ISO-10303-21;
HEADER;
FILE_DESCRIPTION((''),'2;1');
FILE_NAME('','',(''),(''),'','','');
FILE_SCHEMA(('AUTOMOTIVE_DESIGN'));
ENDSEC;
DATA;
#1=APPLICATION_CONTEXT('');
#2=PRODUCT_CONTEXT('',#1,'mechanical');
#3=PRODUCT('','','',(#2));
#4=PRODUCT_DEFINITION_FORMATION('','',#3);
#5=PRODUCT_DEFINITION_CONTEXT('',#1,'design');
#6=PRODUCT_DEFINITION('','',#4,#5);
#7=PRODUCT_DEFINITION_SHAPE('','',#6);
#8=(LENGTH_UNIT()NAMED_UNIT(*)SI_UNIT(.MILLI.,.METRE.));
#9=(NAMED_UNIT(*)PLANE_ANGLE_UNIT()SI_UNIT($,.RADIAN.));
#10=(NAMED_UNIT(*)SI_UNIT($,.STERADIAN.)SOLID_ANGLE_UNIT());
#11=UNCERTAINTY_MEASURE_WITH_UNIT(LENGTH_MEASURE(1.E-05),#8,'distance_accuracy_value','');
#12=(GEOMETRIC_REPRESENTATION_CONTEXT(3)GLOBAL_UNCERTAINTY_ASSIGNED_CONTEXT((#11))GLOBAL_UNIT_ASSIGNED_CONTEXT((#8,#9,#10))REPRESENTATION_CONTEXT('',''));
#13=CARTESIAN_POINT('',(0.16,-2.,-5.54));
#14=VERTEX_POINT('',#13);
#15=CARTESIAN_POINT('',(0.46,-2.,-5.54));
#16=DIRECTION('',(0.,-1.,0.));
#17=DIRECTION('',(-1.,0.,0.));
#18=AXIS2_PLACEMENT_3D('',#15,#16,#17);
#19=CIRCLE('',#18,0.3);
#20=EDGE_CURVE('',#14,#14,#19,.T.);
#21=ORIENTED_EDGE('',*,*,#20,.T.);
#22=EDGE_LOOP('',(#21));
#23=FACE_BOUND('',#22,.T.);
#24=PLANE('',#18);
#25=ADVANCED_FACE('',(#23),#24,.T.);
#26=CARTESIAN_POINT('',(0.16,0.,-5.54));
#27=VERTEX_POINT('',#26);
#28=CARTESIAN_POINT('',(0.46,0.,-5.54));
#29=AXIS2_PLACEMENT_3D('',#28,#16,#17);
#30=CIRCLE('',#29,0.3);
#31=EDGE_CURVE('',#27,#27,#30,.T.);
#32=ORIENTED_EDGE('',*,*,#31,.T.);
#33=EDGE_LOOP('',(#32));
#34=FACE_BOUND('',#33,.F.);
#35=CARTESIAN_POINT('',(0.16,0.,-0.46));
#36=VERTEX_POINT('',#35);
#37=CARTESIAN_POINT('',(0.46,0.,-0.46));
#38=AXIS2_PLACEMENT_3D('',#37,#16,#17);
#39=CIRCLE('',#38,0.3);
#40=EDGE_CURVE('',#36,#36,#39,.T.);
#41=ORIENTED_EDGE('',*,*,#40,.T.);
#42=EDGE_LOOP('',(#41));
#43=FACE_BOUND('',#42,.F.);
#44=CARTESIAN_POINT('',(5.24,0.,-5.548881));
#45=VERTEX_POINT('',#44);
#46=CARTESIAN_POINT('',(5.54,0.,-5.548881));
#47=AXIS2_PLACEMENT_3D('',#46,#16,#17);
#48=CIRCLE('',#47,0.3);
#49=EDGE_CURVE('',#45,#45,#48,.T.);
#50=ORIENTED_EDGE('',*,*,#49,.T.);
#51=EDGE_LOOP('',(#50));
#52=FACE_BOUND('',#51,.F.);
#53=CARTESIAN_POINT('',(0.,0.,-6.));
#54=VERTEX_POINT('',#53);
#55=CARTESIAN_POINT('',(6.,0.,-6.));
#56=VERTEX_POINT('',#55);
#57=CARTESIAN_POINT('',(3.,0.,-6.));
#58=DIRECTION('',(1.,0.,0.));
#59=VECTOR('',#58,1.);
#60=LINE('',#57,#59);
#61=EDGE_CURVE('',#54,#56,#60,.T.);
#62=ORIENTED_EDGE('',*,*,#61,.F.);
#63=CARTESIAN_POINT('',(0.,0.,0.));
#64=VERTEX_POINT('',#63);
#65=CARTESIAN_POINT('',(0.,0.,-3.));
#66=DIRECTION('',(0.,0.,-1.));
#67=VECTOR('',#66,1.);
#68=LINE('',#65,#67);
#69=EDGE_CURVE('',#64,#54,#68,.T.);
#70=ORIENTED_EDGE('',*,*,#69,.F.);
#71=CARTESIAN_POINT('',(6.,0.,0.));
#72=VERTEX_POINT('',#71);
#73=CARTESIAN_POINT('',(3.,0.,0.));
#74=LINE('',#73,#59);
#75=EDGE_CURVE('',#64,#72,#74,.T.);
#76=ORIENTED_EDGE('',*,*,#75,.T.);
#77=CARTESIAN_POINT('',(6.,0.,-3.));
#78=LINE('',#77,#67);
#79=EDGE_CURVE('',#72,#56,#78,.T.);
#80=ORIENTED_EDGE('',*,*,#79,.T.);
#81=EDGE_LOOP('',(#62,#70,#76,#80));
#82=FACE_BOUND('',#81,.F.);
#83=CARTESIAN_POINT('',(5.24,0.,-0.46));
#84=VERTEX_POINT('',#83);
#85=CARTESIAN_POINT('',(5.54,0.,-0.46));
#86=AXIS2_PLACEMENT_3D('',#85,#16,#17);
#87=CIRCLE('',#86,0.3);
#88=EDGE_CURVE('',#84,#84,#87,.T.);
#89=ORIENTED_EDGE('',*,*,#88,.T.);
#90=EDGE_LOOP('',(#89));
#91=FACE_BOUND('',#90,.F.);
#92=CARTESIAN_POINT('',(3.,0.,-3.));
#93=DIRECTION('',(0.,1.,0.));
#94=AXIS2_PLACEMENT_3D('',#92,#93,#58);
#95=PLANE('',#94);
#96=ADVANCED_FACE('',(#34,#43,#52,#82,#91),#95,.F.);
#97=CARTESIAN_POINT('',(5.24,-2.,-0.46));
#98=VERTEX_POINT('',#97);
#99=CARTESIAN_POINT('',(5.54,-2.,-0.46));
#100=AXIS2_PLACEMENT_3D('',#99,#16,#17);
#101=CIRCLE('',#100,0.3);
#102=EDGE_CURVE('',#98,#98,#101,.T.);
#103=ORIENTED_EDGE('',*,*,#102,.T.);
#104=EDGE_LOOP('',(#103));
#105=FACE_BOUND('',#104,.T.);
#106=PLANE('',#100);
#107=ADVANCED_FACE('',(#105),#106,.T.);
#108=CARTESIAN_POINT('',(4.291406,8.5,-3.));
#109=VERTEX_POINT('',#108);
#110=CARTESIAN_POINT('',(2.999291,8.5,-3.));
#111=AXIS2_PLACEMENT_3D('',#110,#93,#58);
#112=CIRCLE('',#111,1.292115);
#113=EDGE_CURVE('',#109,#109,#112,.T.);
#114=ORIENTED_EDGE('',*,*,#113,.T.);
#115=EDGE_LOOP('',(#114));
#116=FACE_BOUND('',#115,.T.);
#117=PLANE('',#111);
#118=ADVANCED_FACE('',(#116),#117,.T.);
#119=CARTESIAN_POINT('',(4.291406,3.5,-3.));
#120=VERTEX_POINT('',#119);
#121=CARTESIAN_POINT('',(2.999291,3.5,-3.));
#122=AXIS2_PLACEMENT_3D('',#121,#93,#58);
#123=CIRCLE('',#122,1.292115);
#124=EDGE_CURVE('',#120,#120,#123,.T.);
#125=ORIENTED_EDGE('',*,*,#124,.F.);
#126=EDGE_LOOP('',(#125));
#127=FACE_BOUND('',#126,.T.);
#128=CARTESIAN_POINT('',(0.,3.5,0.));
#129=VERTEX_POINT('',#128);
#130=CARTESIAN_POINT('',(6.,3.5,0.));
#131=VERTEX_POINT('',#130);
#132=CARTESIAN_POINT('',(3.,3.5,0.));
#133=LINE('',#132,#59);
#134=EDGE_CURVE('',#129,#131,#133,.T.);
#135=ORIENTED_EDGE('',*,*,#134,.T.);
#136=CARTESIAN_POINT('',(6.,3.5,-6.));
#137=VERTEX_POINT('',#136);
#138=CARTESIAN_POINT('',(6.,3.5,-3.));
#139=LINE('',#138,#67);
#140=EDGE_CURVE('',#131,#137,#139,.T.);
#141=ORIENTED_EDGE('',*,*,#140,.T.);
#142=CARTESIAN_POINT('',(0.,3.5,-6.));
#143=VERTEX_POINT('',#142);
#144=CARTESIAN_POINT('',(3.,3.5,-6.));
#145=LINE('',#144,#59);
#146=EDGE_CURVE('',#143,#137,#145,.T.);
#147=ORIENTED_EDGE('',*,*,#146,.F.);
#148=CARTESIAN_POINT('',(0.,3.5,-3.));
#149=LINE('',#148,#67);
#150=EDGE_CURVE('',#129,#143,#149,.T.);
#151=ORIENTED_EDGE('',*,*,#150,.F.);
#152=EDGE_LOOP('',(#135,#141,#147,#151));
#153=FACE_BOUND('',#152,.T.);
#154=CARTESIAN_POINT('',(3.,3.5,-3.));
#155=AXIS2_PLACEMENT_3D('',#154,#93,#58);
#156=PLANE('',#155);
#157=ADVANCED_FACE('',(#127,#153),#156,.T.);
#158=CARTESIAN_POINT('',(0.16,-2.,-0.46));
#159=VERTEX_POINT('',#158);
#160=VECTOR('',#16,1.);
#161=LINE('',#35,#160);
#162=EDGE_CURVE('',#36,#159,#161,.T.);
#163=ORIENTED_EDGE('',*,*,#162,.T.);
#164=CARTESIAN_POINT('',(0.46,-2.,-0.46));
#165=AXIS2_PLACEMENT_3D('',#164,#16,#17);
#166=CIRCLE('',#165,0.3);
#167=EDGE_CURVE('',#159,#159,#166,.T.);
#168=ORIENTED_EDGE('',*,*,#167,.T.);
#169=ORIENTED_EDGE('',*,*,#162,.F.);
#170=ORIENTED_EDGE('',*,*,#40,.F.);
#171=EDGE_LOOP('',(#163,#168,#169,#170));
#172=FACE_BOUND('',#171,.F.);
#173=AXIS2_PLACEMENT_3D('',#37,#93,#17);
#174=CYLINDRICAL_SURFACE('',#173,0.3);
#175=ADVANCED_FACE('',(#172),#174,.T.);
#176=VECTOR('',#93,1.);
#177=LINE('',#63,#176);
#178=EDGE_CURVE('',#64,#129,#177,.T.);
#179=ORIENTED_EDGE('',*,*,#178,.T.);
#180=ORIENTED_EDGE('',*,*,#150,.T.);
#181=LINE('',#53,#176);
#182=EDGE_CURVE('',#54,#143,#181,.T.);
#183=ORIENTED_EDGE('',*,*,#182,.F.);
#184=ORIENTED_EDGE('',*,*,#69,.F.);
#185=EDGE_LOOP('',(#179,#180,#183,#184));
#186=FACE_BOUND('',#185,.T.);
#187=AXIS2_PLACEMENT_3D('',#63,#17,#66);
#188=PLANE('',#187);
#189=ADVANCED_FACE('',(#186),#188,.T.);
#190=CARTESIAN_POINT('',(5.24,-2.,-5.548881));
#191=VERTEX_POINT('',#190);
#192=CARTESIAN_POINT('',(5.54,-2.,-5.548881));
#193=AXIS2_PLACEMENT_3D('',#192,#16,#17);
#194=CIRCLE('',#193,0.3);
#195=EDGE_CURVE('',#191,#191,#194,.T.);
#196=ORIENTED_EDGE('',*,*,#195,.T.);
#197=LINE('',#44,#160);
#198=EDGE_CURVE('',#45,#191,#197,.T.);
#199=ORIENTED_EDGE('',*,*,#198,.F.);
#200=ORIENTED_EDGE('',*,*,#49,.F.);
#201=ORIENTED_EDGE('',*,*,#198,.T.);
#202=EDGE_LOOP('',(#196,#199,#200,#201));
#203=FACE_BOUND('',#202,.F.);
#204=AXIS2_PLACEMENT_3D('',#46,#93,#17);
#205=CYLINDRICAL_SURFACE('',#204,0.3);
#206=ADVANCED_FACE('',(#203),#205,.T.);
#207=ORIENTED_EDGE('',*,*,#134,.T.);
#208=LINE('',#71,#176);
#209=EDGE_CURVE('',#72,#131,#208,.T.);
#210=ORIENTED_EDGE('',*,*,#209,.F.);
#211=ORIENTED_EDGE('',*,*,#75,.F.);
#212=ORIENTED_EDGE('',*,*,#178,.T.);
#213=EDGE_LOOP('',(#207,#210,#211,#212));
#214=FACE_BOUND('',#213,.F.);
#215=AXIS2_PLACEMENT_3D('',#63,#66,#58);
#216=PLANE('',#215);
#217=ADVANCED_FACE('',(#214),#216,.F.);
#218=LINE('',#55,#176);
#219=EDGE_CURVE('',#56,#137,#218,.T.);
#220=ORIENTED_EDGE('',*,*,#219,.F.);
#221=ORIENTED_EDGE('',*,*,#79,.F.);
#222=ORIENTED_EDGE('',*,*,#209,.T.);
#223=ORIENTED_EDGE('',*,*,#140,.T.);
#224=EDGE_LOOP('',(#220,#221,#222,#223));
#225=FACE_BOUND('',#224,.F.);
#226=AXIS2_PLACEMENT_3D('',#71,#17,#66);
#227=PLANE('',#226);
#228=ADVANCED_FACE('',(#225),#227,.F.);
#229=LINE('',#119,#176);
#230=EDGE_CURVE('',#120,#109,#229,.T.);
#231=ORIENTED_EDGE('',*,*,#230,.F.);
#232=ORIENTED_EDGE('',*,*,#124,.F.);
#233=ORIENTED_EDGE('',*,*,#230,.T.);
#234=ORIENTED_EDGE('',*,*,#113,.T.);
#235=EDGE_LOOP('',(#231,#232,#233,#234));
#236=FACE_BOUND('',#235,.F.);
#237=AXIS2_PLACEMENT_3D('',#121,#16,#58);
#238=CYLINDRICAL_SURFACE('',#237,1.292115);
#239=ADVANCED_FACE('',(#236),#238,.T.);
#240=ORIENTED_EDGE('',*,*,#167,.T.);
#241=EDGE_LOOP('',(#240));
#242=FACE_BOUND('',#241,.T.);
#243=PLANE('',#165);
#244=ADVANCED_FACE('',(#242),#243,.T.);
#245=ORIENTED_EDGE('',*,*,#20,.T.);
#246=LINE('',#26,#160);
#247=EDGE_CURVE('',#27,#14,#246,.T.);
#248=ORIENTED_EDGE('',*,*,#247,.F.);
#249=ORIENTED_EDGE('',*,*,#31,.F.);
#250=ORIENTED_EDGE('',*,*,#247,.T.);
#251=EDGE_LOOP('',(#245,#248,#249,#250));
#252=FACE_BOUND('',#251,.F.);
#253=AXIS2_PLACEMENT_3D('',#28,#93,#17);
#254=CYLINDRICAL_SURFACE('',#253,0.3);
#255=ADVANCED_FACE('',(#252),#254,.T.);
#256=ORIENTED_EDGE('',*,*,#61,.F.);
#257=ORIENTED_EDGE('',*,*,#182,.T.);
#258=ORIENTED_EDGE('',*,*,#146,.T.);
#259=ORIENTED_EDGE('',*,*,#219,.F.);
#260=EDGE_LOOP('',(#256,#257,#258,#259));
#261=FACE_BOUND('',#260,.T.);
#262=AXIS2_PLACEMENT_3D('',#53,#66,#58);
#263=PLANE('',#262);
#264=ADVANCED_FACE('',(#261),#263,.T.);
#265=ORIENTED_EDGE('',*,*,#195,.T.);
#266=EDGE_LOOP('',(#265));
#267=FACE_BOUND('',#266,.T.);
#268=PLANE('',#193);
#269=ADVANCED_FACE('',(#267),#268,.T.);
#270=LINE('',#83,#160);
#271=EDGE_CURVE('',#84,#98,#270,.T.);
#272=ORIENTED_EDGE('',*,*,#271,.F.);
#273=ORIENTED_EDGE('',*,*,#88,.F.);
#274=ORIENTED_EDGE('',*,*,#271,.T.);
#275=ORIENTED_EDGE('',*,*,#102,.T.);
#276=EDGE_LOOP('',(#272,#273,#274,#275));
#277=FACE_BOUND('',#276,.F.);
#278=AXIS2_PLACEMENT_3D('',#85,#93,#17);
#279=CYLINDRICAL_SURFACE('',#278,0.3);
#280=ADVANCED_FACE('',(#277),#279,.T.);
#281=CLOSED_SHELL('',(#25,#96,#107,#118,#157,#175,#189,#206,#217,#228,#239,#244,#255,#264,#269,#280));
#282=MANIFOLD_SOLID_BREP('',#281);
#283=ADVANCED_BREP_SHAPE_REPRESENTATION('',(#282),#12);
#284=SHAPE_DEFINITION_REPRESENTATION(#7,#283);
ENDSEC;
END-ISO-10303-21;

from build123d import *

# Parameters (mm, degrees)
SKETCH1_W           = 6
SKETCH1_H           = 6
BOSS_EXTRUDE1_DEPTH = 3.5
SKETCH2_R           = 1.292115179
BOSS_EXTRUDE2_DEPTH = 5
SKETCH3_R           = 0.3
BOSS_EXTRUDE3_DEPTH = 2


with BuildPart() as part:
    # Sketch1 → Boss-Extrude1 (new body)
    with BuildSketch(Plane(origin=(0, 0, 0), x_dir=(1, 0, 0), z_dir=(0, 1, 0))):
        with Locations((3, 3)):
            Rectangle(SKETCH1_W, SKETCH1_H)
    extrude(amount=BOSS_EXTRUDE1_DEPTH)

    # Sketch2 → Boss-Extrude2 (add)
    with BuildSketch(Plane(origin=(0, 3.5, 0), x_dir=(1, 0, 0), z_dir=(0, 1, 0))):
        with Locations((2.999291, 3)):
            Circle(SKETCH2_R)
    extrude(amount=BOSS_EXTRUDE2_DEPTH)

    # Sketch3 → Boss-Extrude3 (add)
    with BuildSketch(Plane(origin=(0, 0, 0), x_dir=(-1, 0, 0), z_dir=(0, -1, 0))):
        with Locations((-0.46, 0.46)):
            Circle(SKETCH3_R)
        with Locations((-5.54, 0.46)):
            Circle(SKETCH3_R)
        with Locations((-0.46, 5.54)):
            Circle(SKETCH3_R)
        with Locations((-5.54, 5.548881257)):
            Circle(SKETCH3_R)
    extrude(amount=BOSS_EXTRUDE3_DEPTH)


solid = part.part
